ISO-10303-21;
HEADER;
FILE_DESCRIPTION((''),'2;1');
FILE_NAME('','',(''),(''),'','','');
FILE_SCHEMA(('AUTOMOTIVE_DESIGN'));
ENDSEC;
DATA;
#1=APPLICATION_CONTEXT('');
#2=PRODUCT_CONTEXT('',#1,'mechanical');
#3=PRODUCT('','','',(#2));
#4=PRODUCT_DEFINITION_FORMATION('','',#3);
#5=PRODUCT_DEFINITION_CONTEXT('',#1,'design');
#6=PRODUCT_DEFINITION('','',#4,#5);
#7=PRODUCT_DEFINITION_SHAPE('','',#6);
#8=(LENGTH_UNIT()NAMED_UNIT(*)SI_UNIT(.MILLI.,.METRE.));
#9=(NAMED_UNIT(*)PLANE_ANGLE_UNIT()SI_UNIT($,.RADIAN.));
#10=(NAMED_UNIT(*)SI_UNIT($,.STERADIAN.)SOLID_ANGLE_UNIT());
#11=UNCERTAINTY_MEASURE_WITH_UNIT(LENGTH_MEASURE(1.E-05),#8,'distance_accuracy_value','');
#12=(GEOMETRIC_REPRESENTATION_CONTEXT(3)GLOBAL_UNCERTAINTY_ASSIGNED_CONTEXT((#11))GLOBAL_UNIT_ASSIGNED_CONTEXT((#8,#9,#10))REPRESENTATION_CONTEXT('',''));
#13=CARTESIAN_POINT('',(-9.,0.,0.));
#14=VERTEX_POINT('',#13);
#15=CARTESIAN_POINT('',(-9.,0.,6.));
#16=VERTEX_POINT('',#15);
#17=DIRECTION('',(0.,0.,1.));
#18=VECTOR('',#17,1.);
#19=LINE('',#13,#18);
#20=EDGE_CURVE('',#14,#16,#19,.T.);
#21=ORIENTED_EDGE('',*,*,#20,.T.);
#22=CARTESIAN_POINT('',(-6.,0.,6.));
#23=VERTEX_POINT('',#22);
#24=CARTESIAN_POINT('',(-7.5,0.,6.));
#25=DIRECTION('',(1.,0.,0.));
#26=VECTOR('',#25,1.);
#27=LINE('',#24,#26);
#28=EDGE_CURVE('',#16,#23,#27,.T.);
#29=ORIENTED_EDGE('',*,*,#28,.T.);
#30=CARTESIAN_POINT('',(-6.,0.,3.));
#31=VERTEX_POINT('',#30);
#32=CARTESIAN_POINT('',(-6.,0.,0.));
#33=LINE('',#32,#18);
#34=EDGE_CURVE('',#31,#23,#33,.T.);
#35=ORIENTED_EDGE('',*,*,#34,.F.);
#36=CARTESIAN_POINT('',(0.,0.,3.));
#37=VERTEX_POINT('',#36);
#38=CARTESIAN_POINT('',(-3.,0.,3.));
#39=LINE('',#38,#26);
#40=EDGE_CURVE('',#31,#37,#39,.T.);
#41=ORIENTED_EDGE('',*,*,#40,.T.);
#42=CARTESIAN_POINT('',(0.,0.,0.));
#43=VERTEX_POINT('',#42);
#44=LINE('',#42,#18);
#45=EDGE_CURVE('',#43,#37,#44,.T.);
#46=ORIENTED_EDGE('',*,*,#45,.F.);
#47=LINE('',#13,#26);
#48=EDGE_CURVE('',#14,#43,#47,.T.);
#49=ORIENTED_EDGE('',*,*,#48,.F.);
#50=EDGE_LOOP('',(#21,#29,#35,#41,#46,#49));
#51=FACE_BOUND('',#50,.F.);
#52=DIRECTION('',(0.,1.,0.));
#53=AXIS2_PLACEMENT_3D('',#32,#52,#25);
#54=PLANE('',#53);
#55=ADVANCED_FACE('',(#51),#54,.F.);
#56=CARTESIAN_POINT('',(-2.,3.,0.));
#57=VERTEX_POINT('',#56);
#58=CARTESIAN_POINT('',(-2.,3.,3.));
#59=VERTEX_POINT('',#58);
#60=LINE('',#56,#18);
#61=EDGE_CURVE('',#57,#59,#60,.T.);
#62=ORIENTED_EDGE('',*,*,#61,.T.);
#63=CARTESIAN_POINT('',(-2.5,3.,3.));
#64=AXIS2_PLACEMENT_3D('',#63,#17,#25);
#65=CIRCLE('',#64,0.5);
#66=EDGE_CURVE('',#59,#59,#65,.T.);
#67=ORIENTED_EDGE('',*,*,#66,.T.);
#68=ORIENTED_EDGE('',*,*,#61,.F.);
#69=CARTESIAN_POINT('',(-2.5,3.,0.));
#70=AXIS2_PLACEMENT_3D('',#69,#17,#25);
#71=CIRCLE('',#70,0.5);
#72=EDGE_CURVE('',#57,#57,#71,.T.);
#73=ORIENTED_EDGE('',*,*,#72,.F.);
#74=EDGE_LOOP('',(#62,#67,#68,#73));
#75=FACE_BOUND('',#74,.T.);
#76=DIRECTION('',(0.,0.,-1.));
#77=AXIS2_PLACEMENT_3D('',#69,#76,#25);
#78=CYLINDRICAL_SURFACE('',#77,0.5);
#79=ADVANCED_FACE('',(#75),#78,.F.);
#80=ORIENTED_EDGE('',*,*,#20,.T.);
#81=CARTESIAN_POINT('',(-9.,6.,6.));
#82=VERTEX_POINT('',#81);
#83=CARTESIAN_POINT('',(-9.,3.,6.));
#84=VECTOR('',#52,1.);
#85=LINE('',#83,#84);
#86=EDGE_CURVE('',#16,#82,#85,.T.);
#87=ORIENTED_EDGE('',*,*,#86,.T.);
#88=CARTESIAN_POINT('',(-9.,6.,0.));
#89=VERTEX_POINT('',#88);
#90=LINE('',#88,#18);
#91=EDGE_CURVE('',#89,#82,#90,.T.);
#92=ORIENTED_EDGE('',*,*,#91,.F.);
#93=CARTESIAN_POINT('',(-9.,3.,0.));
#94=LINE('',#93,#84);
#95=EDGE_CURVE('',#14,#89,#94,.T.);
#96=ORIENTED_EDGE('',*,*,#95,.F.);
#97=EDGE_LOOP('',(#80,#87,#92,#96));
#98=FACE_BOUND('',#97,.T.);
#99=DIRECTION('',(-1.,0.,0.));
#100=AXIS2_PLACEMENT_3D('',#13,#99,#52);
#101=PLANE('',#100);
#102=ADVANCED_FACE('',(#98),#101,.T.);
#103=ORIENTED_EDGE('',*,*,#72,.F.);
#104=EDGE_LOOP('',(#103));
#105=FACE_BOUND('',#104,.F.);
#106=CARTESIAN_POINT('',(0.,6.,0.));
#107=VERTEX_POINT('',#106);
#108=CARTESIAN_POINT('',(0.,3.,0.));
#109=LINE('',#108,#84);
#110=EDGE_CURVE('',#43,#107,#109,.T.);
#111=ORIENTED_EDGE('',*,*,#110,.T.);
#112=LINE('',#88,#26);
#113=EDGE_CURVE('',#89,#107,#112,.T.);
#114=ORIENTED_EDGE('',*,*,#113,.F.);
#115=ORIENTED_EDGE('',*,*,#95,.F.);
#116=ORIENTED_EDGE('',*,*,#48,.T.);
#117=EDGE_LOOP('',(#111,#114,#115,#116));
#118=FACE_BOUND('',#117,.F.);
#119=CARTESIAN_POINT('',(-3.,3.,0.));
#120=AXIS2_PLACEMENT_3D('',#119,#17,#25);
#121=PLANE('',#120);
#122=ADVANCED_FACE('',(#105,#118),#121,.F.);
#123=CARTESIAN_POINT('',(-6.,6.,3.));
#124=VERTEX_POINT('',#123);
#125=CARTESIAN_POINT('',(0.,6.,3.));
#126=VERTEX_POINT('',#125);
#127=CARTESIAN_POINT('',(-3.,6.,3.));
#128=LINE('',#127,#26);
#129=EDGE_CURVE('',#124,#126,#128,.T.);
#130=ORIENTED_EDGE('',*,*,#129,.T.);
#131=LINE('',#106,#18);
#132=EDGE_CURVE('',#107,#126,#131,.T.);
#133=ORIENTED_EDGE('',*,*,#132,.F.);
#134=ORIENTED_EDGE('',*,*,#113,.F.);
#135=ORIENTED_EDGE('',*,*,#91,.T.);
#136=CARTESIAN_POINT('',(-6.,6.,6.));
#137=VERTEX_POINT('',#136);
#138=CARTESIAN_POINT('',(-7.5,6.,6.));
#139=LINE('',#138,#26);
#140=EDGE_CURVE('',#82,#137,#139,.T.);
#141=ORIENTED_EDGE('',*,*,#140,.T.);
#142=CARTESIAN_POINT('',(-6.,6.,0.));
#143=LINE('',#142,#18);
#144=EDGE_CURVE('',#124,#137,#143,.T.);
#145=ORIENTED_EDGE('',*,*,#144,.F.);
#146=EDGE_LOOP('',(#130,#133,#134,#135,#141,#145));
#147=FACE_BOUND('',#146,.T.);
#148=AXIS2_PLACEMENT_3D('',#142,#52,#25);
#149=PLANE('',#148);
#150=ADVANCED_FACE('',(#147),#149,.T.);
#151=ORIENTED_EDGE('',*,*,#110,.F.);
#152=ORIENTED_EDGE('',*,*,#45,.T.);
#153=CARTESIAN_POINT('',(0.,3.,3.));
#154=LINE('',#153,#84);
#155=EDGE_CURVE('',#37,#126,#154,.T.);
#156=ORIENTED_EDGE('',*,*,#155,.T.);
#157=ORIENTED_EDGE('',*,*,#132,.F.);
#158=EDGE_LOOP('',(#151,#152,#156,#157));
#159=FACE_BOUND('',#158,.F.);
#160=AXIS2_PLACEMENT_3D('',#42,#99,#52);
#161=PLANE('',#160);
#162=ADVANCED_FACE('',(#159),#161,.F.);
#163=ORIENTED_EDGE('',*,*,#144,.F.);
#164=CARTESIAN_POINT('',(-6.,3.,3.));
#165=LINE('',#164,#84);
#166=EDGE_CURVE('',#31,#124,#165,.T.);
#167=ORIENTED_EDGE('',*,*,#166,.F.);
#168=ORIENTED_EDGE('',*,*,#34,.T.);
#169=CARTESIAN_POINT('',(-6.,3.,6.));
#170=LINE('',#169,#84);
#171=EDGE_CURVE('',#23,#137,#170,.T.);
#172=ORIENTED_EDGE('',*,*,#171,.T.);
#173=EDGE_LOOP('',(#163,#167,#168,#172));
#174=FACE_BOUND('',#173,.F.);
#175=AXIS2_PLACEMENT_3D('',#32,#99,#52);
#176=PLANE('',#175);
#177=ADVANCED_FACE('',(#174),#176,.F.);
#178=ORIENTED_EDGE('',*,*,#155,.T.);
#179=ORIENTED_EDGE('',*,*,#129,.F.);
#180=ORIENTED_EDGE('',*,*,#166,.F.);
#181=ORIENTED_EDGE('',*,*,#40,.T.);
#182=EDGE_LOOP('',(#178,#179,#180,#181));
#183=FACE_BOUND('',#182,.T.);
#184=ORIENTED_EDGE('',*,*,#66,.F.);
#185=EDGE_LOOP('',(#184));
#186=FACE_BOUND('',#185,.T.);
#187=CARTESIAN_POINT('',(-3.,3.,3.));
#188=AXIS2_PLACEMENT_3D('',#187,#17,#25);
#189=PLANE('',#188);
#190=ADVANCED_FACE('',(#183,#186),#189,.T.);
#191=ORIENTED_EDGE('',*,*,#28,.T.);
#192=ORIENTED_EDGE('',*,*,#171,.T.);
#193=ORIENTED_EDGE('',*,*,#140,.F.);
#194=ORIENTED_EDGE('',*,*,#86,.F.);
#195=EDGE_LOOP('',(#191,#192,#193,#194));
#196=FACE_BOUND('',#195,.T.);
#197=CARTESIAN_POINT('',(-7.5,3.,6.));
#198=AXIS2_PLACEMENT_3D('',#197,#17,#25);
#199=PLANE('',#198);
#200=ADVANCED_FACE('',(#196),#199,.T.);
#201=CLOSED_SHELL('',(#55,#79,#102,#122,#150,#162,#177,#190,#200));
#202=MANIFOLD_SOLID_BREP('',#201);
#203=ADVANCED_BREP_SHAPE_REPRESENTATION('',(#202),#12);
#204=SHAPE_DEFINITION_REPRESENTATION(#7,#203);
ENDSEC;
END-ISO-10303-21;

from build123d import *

# Parameters (mm, degrees)
F0_W     = 3
F0_H     = 6
F1_DEPTH = 6
F0_W_2   = 6
F0_R     = 0.5
F2_DEPTH = 3


with BuildPart() as f1:
    # F0 (on Top) → F1 (new body)
    with BuildSketch(Plane.XY):
        with Locations((-7.5, 3)):
            Rectangle(F0_W, F0_H)
    extrude(amount=F1_DEPTH)

    # F0 (on Top) → F2 (join)
    with BuildSketch(Plane.XY):
        with Locations((-3, 3)):
            Rectangle(F0_W_2, F0_H)
        with Locations((-2.5, 3)):
            Circle(F0_R, mode=Mode.SUBTRACT)
    extrude(amount=F2_DEPTH)


solid = f1.part
